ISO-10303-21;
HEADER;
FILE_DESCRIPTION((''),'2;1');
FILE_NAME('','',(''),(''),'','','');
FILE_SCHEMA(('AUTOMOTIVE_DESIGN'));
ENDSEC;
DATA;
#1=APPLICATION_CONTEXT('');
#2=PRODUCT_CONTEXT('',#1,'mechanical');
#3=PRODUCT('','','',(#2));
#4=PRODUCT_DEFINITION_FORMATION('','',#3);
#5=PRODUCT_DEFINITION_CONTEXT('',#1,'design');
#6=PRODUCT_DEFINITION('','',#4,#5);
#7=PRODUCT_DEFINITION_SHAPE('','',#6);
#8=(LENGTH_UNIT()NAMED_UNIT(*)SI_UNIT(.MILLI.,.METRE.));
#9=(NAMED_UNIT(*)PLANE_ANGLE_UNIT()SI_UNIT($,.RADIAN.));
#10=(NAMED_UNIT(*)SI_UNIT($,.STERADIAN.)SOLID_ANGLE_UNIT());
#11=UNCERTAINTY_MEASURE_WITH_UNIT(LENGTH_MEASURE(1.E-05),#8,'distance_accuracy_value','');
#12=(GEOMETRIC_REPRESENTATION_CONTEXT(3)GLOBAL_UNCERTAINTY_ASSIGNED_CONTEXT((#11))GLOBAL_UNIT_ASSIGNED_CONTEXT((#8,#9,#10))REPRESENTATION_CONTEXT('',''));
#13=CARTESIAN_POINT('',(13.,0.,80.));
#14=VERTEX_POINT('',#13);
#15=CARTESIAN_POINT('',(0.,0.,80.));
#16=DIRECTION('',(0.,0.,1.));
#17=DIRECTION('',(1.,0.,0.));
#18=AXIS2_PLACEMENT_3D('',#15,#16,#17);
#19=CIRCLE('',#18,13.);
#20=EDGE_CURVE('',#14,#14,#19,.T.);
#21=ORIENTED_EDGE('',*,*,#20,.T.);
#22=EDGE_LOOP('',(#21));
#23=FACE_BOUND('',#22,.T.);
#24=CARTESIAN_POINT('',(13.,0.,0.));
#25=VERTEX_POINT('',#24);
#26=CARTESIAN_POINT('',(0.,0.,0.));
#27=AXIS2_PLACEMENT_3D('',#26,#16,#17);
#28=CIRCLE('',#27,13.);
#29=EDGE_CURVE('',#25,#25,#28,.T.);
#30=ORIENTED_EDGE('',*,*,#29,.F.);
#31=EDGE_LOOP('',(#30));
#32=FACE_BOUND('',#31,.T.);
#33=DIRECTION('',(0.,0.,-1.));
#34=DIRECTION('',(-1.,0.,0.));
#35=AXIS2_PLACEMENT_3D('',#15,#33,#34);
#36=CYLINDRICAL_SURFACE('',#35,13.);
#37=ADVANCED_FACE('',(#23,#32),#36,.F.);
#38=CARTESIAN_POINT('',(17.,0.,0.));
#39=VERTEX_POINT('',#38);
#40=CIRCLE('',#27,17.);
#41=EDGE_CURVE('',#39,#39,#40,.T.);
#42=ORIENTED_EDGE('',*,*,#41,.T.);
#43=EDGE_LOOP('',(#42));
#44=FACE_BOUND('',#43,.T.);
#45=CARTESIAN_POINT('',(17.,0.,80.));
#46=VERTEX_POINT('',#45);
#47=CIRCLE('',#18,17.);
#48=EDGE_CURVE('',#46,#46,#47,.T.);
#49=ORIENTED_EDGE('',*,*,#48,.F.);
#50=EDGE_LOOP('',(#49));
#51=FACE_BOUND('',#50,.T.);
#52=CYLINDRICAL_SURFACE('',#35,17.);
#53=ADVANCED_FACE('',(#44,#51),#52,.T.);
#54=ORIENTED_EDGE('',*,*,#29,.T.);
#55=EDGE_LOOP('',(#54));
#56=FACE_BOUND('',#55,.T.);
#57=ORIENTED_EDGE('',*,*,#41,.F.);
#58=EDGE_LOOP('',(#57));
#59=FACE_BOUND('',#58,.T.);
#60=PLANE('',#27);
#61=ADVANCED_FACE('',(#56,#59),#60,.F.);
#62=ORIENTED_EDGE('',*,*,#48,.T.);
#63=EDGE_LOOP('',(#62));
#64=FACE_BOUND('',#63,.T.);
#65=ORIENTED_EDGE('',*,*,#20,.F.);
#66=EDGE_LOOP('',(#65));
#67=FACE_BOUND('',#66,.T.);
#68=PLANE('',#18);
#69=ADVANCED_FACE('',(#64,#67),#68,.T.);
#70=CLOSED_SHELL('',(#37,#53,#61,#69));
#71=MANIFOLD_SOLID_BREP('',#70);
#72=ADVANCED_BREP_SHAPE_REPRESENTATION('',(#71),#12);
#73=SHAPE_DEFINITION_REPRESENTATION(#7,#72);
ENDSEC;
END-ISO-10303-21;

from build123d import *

# Parameters (mm, degrees)
SKETCH_1_R      = 17
SKETCH_1_R_2    = 13
EXTRUDE_1_DEPTH = 80


with BuildPart() as part:
    # 草图1 → 拉伸1 (new body)
    with BuildSketch(Plane.XY):
        Circle(SKETCH_1_R)
        Circle(SKETCH_1_R_2, mode=Mode.SUBTRACT)
    extrude(amount=EXTRUDE_1_DEPTH)


solid = part.part
